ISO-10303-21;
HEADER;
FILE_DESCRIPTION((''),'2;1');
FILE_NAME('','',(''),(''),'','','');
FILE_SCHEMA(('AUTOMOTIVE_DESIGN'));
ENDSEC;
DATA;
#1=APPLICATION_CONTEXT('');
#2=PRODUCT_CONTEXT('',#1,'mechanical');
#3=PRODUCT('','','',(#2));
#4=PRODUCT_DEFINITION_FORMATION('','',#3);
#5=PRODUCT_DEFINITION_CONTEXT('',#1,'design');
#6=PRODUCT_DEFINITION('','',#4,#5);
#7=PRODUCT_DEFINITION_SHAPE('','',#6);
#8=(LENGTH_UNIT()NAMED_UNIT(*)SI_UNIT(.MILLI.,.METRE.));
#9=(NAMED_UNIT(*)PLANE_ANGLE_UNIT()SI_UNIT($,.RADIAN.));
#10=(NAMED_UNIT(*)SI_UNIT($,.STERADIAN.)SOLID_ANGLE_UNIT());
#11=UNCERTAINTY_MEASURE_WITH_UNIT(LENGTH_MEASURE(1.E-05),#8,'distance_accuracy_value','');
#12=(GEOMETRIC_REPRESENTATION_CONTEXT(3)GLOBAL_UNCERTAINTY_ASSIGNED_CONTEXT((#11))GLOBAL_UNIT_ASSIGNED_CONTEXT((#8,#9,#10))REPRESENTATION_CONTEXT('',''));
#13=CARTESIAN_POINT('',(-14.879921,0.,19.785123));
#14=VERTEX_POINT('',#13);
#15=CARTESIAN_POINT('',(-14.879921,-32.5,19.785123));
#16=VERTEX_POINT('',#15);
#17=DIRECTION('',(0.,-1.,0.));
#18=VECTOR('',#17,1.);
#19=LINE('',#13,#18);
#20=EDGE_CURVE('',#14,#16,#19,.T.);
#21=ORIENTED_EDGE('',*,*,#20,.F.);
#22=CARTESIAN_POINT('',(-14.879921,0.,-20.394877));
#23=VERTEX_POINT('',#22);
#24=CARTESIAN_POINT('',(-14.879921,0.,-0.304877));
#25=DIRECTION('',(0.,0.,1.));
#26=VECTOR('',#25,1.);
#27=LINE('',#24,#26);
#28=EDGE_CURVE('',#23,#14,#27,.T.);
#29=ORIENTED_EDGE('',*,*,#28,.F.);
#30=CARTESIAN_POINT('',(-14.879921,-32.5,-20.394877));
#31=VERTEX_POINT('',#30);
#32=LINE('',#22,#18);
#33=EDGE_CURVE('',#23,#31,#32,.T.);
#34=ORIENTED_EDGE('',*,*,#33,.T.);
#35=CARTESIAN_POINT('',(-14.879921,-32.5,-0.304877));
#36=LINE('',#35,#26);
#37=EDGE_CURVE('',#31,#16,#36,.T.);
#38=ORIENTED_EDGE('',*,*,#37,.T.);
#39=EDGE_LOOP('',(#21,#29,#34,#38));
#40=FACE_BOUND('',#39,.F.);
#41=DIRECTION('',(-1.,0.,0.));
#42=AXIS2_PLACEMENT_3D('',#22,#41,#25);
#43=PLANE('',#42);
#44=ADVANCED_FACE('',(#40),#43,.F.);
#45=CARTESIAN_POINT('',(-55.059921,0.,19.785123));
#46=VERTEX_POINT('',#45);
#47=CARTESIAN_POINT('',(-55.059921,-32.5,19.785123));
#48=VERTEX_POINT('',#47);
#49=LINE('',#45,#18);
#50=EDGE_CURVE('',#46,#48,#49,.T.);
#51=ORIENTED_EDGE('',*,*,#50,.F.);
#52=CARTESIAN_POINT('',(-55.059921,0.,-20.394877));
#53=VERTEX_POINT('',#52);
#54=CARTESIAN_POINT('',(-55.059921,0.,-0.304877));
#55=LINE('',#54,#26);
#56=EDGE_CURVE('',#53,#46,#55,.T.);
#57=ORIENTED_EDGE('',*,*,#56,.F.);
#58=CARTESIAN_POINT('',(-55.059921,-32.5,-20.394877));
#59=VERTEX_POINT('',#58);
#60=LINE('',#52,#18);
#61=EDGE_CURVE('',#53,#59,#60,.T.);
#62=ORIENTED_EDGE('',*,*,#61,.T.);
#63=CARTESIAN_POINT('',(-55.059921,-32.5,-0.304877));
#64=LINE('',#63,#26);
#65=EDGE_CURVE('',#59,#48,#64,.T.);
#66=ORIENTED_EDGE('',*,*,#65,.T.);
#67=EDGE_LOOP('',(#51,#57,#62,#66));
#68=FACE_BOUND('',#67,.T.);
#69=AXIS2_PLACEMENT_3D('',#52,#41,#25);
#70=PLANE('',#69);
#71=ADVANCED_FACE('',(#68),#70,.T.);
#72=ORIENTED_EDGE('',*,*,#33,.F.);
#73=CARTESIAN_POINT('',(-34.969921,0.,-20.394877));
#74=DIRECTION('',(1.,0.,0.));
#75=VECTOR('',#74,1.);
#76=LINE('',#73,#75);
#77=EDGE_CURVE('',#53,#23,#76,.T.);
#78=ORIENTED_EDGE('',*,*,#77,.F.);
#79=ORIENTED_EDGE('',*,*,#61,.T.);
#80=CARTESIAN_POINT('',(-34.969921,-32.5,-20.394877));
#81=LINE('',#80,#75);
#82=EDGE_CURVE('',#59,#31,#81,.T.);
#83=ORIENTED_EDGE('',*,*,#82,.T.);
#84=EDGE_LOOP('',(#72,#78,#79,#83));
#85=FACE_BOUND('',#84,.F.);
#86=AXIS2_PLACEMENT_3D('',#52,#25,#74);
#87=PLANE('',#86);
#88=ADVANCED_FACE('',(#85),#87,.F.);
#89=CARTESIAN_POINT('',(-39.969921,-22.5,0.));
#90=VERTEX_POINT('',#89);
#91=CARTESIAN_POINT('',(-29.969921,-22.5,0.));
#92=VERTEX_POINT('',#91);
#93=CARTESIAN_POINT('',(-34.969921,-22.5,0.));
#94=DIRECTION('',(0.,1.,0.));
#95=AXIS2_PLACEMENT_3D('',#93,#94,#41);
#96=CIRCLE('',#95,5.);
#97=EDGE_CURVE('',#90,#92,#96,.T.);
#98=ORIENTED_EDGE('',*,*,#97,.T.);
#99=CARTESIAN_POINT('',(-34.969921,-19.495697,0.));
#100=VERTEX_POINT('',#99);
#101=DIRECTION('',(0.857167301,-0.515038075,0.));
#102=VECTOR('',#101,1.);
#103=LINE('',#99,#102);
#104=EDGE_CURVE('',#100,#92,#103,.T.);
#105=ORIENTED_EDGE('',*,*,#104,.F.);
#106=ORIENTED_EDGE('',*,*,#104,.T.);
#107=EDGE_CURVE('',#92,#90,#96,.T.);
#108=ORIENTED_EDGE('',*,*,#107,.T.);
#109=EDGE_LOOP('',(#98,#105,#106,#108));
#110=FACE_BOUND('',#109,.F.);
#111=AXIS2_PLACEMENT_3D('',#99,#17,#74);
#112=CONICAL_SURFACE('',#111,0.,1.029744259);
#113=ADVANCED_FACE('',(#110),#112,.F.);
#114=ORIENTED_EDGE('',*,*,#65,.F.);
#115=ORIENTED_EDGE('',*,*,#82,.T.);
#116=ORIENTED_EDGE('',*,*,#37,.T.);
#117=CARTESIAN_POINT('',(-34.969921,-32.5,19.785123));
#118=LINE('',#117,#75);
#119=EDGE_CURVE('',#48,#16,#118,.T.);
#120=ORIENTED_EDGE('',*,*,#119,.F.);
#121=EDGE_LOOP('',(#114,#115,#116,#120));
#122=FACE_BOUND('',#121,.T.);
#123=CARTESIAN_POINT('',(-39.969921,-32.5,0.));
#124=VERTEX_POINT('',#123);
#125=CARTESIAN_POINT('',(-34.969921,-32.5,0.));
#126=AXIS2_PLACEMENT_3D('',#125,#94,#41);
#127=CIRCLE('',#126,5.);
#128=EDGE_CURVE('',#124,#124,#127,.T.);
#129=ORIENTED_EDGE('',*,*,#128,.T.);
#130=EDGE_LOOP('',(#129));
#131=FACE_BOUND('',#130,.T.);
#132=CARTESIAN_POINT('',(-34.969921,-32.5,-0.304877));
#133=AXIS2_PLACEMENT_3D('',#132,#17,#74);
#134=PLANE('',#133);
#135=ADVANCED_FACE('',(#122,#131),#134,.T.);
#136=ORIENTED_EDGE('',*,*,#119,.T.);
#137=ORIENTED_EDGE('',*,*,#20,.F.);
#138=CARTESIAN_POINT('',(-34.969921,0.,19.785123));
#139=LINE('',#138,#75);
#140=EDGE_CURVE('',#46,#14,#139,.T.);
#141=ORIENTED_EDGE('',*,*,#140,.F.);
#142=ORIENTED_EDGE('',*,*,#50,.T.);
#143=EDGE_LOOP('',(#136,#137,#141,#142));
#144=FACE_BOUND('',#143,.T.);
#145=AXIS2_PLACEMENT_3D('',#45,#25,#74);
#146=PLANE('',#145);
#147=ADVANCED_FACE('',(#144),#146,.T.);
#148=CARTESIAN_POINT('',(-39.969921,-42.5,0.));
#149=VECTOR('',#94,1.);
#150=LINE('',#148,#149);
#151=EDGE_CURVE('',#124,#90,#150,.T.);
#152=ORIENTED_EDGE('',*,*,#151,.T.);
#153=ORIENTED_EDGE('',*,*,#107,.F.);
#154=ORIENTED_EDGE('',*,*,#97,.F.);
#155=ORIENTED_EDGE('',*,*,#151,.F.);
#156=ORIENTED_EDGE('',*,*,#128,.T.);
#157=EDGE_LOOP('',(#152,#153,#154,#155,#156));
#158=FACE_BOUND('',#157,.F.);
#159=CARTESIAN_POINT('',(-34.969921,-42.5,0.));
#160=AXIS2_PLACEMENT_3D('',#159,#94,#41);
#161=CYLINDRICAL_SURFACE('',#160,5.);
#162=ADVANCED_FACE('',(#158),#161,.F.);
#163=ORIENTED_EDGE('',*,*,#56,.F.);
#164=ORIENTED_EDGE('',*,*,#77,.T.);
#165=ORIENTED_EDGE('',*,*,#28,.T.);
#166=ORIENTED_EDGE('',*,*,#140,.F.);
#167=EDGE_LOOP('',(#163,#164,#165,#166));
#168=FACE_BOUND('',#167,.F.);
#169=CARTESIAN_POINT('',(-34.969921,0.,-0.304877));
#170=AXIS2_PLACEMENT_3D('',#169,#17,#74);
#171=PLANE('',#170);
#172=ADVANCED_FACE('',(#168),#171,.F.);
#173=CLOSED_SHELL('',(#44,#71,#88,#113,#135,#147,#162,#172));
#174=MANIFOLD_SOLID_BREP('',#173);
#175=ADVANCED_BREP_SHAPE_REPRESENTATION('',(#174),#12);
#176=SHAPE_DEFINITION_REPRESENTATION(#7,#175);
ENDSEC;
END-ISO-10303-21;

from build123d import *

# Parameters (mm, degrees)
F0_W     = 40.18
F0_H     = 40.18
F1_DEPTH = 32.5
F3_D     = 10
F3_DEPTH = 10
F3_TIP   = 3.0043030951


with BuildPart() as f1:
    # F0 (on Front) → F1 (new body)
    with BuildSketch(Plane.XZ):
        with Locations((-34.9699209964, -0.3048770541)):
            Rectangle(F0_W, F0_H)
    extrude(amount=F1_DEPTH)

    # F3
    with Locations(Plane.XZ.offset(32.5)):
        with Locations((-34.9699209964, 0)):
            Hole(F3_D / 2, depth=F3_DEPTH)
            with Locations((0, 0, -(F3_DEPTH + F3_TIP / 2))):  # 118° drill point
                Cone(0, F3_D / 2, F3_TIP, mode=Mode.SUBTRACT)


solid = f1.part
